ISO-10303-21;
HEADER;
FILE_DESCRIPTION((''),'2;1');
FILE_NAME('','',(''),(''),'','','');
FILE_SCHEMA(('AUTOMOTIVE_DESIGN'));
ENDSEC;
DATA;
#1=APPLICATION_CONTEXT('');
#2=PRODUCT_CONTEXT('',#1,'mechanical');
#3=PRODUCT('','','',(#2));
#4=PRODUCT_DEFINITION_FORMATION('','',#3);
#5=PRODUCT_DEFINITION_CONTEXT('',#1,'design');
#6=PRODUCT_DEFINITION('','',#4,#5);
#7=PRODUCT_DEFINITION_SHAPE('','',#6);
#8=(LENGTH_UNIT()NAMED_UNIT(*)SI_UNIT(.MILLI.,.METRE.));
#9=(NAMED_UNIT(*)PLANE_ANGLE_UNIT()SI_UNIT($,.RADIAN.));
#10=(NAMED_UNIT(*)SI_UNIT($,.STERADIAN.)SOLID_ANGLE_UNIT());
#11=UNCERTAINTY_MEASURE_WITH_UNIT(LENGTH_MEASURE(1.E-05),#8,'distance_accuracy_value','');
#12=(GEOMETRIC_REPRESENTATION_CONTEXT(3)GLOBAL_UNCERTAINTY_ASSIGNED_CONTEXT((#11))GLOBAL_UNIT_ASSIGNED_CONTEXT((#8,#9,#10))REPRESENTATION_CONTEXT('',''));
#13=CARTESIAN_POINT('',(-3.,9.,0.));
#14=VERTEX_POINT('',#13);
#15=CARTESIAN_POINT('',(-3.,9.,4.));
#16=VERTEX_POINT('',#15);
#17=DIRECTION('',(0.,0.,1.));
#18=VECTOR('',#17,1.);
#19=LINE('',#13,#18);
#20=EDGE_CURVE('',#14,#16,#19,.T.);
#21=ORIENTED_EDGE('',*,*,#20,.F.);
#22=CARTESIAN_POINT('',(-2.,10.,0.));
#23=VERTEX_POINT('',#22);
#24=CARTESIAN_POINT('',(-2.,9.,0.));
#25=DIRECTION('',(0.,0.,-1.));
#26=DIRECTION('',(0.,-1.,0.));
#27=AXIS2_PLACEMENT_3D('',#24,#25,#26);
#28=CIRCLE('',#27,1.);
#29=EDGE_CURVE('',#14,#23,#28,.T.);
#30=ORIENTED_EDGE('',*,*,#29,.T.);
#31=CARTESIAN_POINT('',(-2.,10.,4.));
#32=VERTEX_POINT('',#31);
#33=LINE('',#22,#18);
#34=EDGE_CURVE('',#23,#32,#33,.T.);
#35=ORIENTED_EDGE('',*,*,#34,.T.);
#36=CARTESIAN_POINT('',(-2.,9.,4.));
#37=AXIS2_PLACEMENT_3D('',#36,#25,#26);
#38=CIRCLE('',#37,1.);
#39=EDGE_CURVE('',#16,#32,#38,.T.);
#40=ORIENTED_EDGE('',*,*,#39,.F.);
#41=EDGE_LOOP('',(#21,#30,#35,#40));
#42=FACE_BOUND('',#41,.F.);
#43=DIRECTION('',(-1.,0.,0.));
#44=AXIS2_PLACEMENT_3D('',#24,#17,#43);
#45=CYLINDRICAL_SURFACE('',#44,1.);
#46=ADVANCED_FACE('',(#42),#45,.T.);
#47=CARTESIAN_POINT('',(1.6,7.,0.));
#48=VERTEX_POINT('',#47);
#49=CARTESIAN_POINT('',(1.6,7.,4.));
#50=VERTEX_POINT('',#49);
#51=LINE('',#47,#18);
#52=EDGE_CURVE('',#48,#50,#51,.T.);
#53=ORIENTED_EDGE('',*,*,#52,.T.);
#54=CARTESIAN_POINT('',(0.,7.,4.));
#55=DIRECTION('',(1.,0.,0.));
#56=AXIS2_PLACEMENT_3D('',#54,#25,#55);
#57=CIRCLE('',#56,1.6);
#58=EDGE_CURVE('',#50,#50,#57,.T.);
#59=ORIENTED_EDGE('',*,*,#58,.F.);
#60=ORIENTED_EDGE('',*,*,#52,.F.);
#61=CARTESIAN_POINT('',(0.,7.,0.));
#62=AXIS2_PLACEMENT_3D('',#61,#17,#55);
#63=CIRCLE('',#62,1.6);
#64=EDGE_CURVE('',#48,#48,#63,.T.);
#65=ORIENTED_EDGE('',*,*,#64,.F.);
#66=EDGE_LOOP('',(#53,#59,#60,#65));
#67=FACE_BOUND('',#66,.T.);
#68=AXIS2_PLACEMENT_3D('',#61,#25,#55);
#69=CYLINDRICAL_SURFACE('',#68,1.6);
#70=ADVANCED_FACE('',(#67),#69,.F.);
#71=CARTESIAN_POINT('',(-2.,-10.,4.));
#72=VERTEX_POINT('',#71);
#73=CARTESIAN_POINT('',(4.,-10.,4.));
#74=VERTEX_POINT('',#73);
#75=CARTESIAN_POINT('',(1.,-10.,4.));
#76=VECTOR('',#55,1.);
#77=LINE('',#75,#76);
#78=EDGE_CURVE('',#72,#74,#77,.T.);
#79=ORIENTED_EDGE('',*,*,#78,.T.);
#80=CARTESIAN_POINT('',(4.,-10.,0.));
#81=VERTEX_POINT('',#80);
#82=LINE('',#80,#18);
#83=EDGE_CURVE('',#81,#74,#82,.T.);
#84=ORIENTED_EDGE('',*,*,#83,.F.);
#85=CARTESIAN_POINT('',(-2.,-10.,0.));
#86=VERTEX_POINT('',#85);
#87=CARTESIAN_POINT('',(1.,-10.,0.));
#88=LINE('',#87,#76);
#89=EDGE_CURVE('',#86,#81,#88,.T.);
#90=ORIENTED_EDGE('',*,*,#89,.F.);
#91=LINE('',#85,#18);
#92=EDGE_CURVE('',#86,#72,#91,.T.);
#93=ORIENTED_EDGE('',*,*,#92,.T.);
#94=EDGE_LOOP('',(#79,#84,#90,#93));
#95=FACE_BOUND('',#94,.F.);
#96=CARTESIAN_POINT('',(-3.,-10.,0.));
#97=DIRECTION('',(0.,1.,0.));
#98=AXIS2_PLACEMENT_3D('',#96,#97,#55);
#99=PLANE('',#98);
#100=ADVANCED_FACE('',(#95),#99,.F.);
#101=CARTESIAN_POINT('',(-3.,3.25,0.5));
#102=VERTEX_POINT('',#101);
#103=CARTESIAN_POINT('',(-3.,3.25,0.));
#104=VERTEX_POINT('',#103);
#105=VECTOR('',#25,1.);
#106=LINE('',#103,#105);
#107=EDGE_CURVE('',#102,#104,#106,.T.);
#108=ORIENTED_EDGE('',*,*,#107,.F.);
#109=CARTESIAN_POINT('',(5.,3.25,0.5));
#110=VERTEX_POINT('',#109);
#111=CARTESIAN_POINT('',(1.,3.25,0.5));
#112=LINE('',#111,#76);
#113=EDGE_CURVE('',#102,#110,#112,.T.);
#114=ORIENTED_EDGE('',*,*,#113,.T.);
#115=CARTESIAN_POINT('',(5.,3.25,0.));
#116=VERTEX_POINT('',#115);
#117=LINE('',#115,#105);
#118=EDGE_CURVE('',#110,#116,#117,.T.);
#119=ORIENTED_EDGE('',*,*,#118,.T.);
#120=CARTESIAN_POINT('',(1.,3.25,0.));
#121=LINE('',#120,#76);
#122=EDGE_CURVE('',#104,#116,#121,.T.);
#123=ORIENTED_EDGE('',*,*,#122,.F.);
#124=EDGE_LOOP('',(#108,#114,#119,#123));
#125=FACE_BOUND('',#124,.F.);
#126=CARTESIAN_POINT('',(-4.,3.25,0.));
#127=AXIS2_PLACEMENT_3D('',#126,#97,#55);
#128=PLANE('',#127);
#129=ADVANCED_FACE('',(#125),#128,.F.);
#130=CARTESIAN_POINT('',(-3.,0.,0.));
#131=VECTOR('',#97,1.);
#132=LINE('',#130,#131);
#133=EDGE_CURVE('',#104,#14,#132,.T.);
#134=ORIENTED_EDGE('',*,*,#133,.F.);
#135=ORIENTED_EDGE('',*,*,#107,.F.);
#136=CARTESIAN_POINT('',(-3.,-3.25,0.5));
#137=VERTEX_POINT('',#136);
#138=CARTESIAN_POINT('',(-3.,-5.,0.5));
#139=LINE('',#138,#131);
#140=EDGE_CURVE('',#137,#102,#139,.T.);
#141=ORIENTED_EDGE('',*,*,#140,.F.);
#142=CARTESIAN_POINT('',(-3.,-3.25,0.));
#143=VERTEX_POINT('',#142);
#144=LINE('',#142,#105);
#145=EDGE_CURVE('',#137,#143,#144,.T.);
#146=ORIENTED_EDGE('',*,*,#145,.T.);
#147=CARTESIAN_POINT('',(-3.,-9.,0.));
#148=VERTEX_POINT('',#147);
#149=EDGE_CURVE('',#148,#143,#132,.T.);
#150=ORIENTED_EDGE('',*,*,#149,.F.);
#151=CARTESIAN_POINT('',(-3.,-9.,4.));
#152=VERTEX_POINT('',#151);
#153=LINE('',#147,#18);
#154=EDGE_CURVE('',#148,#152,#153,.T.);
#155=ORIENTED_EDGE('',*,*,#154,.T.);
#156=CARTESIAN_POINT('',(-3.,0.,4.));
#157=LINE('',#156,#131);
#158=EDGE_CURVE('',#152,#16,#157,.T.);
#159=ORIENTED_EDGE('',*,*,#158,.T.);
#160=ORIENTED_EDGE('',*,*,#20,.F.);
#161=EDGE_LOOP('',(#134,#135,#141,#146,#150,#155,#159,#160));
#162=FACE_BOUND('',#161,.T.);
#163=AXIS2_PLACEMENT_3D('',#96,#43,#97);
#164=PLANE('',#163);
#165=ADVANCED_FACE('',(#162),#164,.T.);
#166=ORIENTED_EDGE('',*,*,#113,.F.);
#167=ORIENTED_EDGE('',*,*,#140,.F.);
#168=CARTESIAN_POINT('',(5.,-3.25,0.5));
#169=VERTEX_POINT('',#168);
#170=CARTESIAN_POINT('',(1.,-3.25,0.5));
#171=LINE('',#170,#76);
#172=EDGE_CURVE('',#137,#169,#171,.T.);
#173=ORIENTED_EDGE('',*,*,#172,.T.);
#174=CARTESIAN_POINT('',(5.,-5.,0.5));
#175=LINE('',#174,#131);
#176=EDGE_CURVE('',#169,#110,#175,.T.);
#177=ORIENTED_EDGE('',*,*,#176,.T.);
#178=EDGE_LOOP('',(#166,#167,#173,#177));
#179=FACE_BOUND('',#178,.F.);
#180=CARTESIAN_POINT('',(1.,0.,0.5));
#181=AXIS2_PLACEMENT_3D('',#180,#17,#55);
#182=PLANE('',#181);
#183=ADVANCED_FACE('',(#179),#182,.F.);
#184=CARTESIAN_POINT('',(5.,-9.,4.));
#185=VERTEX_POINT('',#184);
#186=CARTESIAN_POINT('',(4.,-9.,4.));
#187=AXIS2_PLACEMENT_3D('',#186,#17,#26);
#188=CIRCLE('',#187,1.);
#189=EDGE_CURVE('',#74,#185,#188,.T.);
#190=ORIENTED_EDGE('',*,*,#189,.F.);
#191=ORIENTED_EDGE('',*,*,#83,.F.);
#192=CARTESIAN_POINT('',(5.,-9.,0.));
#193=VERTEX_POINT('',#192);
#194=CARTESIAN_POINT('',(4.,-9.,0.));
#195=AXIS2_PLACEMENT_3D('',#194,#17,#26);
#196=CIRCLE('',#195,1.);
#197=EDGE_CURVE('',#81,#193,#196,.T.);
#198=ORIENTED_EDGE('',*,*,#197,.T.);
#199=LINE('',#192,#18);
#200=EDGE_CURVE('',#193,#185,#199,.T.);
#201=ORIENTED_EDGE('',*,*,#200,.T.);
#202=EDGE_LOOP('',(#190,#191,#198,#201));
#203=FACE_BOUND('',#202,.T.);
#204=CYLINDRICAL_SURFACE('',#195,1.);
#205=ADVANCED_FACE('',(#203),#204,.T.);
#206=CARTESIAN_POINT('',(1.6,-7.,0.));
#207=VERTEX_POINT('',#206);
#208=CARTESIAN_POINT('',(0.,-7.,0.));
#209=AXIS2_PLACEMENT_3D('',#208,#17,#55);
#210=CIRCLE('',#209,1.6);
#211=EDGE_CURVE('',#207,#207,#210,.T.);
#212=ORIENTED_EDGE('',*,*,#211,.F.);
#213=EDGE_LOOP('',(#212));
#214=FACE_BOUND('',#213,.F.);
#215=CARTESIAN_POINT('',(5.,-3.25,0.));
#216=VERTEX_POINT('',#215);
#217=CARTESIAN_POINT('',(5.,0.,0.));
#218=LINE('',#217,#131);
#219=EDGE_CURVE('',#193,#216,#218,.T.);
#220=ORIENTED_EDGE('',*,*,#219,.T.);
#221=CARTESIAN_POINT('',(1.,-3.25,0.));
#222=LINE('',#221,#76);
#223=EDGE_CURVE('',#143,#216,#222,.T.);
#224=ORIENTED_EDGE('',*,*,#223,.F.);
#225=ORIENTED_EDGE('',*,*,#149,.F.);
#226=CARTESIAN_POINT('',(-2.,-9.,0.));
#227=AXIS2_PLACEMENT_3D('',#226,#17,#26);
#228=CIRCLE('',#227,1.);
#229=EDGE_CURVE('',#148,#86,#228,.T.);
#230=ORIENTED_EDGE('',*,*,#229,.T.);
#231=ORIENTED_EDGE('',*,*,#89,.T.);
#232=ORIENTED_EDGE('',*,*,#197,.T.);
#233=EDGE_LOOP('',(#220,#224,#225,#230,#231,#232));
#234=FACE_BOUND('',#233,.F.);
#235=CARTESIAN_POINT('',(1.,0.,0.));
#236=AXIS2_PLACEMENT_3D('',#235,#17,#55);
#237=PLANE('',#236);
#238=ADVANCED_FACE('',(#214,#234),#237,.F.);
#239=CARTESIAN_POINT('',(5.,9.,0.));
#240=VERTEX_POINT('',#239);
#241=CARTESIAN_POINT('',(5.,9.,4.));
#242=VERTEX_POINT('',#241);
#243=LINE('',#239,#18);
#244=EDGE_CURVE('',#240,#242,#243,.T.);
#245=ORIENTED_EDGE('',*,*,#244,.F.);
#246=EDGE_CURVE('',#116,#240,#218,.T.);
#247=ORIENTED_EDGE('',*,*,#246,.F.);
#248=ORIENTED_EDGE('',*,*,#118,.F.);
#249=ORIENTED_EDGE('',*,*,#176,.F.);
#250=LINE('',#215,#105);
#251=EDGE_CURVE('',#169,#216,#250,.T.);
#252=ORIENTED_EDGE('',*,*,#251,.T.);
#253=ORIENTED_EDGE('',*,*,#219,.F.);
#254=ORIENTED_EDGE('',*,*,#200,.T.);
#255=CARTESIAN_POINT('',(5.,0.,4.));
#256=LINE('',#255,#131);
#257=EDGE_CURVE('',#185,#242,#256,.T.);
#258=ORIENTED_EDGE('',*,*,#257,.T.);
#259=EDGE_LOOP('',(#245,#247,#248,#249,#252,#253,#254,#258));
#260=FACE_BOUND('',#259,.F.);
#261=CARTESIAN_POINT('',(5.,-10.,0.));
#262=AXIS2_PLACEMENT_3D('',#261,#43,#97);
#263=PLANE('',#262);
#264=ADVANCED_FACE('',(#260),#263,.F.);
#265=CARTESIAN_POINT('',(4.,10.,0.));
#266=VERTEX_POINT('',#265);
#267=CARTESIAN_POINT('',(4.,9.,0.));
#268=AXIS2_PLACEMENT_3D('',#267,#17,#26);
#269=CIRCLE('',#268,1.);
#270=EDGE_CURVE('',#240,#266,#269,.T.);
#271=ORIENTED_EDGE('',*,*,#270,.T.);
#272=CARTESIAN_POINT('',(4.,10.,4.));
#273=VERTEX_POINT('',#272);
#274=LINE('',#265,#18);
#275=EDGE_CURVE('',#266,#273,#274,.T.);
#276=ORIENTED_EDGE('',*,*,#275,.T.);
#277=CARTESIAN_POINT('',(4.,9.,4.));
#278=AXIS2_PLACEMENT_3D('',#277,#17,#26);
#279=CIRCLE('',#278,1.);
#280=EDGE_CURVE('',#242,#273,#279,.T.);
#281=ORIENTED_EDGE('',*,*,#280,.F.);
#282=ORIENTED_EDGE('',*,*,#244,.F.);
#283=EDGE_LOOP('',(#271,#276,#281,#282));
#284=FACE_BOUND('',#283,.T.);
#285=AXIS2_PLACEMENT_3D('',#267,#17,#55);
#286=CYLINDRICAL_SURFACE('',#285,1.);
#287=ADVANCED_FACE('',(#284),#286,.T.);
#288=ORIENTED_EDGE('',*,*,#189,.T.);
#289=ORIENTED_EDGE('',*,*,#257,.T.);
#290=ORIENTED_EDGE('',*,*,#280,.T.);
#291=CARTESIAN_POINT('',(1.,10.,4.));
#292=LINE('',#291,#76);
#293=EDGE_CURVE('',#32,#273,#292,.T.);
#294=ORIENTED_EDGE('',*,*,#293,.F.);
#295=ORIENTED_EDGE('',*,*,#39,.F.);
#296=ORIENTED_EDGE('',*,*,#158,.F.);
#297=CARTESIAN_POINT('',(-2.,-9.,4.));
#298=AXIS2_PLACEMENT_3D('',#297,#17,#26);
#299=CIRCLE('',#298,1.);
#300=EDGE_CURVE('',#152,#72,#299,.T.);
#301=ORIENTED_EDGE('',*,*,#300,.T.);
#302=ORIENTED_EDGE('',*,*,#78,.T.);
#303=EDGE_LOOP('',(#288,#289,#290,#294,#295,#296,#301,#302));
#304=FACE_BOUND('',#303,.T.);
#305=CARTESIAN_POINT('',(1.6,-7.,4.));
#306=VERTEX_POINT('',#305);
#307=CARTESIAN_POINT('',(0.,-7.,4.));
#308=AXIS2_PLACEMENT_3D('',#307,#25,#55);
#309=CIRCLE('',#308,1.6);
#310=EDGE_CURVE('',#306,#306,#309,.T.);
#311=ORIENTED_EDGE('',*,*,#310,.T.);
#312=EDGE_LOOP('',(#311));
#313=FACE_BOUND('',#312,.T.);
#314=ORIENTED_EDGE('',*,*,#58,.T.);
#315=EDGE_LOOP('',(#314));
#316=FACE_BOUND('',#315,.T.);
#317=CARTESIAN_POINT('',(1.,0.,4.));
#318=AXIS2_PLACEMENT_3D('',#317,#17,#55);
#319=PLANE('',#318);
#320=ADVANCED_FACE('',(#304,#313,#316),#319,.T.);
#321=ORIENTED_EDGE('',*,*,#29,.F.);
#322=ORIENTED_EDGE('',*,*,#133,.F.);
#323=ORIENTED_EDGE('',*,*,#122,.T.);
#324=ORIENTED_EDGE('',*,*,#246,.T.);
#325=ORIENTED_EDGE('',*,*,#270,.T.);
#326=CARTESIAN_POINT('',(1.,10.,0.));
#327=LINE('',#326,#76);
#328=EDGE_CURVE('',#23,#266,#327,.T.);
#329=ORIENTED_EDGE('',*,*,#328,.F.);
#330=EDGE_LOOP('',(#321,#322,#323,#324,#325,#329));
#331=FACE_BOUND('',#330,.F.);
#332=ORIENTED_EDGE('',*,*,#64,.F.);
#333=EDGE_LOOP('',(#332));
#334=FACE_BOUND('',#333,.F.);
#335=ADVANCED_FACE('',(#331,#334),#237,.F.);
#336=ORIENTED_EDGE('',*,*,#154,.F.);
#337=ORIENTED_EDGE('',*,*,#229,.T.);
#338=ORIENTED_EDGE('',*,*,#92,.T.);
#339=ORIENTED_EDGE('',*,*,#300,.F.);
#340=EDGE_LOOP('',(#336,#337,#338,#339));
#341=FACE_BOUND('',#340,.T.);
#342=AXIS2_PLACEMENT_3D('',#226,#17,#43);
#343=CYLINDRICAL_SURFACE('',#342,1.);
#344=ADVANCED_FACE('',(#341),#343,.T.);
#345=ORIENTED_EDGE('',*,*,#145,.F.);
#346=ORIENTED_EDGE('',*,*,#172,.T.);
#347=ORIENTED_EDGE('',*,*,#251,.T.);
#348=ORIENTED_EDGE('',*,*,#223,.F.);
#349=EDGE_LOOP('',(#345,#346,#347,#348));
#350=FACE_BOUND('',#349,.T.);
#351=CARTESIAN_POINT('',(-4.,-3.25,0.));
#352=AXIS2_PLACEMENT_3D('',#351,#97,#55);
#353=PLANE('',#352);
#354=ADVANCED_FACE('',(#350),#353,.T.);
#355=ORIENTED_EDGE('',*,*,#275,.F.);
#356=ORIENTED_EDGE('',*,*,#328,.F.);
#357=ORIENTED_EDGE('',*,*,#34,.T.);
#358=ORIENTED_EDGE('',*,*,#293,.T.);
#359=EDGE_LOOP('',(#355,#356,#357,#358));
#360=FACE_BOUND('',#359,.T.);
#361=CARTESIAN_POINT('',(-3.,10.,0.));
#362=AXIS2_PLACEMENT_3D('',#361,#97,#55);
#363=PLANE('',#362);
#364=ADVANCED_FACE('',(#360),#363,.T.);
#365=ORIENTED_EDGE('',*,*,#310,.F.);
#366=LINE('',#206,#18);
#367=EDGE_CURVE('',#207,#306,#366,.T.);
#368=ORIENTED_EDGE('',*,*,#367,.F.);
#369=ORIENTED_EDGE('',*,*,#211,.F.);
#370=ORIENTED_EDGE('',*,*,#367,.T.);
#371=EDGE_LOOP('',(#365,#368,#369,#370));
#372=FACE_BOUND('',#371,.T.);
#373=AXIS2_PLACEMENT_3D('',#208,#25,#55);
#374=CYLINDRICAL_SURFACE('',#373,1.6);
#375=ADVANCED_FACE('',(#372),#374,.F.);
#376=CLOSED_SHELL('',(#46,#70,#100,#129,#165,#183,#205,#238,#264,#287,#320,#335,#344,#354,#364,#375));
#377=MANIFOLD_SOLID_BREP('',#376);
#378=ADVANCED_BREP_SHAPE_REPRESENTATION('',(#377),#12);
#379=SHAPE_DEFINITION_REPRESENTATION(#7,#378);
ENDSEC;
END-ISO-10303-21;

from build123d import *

# Parameters (mm, degrees)
BOX009_W          = 10
BOX009_H          = 6.5
BOX009_DEPTH      = 0.5
CYLINDER012_R     = 1.6
CYLINDER012_DEPTH = 10
CYLINDER011_R     = 1.6
CYLINDER011_DEPTH = 10
BOX008_W          = 8
BOX008_H          = 20
BOX008_DEPTH      = 4
FILLET002_R       = 1


with BuildPart() as cube009:
    # Box009 → Box009 (new body)
    with BuildSketch(Plane(origin=(-4, -3.25, 0), x_dir=(1, 0, 0), z_dir=(0, 0, 1))):
        with Locations((5, 3.25)):
            Rectangle(BOX009_W, BOX009_H)
    extrude(amount=BOX009_DEPTH)


with BuildPart() as cylinder012:
    # Cylinder012 → Cylinder012 (new body)
    with BuildSketch(Plane(origin=(0, -7, 0), x_dir=(1, 0, 0), z_dir=(0, 0, 1))):
        Circle(CYLINDER012_R)
    extrude(amount=CYLINDER012_DEPTH)


with BuildPart() as fusion017:
    # Cylinder011 → Cylinder011 (new body)
    with BuildSketch(Plane(origin=(0, 7, 0), x_dir=(1, 0, 0), z_dir=(0, 0, 1))):
        Circle(CYLINDER011_R)
    extrude(amount=CYLINDER011_DEPTH)

    # Fusion017: union Cylinder012
    add(cylinder012.part)


with BuildPart() as belt_clamp002:
    # Box008 → Box008 (new body)
    with BuildSketch(Plane(origin=(-3, -10, 0), x_dir=(1, 0, 0), z_dir=(0, 0, 1))):
        with Locations((4, 10)):
            Rectangle(BOX008_W, BOX008_H)
    extrude(amount=BOX008_DEPTH)

    # Fillet002
    fillet002_edges = [belt_clamp002.edges().sort_by_distance(p)[0] for p in [
        (-3, -10, 2),
        (-3, 10, 2),
        (5, -10, 2),
        (5, 10, 2),
    ]]
    fillet(fillet002_edges, radius=FILLET002_R)

    # Cut008004003012001003001009: cut Fusion017
    add(fusion017.part, mode=Mode.SUBTRACT)

    # Cut008004003012001003001010: cut Cube009
    add(cube009.part, mode=Mode.SUBTRACT)


solid = belt_clamp002.part
